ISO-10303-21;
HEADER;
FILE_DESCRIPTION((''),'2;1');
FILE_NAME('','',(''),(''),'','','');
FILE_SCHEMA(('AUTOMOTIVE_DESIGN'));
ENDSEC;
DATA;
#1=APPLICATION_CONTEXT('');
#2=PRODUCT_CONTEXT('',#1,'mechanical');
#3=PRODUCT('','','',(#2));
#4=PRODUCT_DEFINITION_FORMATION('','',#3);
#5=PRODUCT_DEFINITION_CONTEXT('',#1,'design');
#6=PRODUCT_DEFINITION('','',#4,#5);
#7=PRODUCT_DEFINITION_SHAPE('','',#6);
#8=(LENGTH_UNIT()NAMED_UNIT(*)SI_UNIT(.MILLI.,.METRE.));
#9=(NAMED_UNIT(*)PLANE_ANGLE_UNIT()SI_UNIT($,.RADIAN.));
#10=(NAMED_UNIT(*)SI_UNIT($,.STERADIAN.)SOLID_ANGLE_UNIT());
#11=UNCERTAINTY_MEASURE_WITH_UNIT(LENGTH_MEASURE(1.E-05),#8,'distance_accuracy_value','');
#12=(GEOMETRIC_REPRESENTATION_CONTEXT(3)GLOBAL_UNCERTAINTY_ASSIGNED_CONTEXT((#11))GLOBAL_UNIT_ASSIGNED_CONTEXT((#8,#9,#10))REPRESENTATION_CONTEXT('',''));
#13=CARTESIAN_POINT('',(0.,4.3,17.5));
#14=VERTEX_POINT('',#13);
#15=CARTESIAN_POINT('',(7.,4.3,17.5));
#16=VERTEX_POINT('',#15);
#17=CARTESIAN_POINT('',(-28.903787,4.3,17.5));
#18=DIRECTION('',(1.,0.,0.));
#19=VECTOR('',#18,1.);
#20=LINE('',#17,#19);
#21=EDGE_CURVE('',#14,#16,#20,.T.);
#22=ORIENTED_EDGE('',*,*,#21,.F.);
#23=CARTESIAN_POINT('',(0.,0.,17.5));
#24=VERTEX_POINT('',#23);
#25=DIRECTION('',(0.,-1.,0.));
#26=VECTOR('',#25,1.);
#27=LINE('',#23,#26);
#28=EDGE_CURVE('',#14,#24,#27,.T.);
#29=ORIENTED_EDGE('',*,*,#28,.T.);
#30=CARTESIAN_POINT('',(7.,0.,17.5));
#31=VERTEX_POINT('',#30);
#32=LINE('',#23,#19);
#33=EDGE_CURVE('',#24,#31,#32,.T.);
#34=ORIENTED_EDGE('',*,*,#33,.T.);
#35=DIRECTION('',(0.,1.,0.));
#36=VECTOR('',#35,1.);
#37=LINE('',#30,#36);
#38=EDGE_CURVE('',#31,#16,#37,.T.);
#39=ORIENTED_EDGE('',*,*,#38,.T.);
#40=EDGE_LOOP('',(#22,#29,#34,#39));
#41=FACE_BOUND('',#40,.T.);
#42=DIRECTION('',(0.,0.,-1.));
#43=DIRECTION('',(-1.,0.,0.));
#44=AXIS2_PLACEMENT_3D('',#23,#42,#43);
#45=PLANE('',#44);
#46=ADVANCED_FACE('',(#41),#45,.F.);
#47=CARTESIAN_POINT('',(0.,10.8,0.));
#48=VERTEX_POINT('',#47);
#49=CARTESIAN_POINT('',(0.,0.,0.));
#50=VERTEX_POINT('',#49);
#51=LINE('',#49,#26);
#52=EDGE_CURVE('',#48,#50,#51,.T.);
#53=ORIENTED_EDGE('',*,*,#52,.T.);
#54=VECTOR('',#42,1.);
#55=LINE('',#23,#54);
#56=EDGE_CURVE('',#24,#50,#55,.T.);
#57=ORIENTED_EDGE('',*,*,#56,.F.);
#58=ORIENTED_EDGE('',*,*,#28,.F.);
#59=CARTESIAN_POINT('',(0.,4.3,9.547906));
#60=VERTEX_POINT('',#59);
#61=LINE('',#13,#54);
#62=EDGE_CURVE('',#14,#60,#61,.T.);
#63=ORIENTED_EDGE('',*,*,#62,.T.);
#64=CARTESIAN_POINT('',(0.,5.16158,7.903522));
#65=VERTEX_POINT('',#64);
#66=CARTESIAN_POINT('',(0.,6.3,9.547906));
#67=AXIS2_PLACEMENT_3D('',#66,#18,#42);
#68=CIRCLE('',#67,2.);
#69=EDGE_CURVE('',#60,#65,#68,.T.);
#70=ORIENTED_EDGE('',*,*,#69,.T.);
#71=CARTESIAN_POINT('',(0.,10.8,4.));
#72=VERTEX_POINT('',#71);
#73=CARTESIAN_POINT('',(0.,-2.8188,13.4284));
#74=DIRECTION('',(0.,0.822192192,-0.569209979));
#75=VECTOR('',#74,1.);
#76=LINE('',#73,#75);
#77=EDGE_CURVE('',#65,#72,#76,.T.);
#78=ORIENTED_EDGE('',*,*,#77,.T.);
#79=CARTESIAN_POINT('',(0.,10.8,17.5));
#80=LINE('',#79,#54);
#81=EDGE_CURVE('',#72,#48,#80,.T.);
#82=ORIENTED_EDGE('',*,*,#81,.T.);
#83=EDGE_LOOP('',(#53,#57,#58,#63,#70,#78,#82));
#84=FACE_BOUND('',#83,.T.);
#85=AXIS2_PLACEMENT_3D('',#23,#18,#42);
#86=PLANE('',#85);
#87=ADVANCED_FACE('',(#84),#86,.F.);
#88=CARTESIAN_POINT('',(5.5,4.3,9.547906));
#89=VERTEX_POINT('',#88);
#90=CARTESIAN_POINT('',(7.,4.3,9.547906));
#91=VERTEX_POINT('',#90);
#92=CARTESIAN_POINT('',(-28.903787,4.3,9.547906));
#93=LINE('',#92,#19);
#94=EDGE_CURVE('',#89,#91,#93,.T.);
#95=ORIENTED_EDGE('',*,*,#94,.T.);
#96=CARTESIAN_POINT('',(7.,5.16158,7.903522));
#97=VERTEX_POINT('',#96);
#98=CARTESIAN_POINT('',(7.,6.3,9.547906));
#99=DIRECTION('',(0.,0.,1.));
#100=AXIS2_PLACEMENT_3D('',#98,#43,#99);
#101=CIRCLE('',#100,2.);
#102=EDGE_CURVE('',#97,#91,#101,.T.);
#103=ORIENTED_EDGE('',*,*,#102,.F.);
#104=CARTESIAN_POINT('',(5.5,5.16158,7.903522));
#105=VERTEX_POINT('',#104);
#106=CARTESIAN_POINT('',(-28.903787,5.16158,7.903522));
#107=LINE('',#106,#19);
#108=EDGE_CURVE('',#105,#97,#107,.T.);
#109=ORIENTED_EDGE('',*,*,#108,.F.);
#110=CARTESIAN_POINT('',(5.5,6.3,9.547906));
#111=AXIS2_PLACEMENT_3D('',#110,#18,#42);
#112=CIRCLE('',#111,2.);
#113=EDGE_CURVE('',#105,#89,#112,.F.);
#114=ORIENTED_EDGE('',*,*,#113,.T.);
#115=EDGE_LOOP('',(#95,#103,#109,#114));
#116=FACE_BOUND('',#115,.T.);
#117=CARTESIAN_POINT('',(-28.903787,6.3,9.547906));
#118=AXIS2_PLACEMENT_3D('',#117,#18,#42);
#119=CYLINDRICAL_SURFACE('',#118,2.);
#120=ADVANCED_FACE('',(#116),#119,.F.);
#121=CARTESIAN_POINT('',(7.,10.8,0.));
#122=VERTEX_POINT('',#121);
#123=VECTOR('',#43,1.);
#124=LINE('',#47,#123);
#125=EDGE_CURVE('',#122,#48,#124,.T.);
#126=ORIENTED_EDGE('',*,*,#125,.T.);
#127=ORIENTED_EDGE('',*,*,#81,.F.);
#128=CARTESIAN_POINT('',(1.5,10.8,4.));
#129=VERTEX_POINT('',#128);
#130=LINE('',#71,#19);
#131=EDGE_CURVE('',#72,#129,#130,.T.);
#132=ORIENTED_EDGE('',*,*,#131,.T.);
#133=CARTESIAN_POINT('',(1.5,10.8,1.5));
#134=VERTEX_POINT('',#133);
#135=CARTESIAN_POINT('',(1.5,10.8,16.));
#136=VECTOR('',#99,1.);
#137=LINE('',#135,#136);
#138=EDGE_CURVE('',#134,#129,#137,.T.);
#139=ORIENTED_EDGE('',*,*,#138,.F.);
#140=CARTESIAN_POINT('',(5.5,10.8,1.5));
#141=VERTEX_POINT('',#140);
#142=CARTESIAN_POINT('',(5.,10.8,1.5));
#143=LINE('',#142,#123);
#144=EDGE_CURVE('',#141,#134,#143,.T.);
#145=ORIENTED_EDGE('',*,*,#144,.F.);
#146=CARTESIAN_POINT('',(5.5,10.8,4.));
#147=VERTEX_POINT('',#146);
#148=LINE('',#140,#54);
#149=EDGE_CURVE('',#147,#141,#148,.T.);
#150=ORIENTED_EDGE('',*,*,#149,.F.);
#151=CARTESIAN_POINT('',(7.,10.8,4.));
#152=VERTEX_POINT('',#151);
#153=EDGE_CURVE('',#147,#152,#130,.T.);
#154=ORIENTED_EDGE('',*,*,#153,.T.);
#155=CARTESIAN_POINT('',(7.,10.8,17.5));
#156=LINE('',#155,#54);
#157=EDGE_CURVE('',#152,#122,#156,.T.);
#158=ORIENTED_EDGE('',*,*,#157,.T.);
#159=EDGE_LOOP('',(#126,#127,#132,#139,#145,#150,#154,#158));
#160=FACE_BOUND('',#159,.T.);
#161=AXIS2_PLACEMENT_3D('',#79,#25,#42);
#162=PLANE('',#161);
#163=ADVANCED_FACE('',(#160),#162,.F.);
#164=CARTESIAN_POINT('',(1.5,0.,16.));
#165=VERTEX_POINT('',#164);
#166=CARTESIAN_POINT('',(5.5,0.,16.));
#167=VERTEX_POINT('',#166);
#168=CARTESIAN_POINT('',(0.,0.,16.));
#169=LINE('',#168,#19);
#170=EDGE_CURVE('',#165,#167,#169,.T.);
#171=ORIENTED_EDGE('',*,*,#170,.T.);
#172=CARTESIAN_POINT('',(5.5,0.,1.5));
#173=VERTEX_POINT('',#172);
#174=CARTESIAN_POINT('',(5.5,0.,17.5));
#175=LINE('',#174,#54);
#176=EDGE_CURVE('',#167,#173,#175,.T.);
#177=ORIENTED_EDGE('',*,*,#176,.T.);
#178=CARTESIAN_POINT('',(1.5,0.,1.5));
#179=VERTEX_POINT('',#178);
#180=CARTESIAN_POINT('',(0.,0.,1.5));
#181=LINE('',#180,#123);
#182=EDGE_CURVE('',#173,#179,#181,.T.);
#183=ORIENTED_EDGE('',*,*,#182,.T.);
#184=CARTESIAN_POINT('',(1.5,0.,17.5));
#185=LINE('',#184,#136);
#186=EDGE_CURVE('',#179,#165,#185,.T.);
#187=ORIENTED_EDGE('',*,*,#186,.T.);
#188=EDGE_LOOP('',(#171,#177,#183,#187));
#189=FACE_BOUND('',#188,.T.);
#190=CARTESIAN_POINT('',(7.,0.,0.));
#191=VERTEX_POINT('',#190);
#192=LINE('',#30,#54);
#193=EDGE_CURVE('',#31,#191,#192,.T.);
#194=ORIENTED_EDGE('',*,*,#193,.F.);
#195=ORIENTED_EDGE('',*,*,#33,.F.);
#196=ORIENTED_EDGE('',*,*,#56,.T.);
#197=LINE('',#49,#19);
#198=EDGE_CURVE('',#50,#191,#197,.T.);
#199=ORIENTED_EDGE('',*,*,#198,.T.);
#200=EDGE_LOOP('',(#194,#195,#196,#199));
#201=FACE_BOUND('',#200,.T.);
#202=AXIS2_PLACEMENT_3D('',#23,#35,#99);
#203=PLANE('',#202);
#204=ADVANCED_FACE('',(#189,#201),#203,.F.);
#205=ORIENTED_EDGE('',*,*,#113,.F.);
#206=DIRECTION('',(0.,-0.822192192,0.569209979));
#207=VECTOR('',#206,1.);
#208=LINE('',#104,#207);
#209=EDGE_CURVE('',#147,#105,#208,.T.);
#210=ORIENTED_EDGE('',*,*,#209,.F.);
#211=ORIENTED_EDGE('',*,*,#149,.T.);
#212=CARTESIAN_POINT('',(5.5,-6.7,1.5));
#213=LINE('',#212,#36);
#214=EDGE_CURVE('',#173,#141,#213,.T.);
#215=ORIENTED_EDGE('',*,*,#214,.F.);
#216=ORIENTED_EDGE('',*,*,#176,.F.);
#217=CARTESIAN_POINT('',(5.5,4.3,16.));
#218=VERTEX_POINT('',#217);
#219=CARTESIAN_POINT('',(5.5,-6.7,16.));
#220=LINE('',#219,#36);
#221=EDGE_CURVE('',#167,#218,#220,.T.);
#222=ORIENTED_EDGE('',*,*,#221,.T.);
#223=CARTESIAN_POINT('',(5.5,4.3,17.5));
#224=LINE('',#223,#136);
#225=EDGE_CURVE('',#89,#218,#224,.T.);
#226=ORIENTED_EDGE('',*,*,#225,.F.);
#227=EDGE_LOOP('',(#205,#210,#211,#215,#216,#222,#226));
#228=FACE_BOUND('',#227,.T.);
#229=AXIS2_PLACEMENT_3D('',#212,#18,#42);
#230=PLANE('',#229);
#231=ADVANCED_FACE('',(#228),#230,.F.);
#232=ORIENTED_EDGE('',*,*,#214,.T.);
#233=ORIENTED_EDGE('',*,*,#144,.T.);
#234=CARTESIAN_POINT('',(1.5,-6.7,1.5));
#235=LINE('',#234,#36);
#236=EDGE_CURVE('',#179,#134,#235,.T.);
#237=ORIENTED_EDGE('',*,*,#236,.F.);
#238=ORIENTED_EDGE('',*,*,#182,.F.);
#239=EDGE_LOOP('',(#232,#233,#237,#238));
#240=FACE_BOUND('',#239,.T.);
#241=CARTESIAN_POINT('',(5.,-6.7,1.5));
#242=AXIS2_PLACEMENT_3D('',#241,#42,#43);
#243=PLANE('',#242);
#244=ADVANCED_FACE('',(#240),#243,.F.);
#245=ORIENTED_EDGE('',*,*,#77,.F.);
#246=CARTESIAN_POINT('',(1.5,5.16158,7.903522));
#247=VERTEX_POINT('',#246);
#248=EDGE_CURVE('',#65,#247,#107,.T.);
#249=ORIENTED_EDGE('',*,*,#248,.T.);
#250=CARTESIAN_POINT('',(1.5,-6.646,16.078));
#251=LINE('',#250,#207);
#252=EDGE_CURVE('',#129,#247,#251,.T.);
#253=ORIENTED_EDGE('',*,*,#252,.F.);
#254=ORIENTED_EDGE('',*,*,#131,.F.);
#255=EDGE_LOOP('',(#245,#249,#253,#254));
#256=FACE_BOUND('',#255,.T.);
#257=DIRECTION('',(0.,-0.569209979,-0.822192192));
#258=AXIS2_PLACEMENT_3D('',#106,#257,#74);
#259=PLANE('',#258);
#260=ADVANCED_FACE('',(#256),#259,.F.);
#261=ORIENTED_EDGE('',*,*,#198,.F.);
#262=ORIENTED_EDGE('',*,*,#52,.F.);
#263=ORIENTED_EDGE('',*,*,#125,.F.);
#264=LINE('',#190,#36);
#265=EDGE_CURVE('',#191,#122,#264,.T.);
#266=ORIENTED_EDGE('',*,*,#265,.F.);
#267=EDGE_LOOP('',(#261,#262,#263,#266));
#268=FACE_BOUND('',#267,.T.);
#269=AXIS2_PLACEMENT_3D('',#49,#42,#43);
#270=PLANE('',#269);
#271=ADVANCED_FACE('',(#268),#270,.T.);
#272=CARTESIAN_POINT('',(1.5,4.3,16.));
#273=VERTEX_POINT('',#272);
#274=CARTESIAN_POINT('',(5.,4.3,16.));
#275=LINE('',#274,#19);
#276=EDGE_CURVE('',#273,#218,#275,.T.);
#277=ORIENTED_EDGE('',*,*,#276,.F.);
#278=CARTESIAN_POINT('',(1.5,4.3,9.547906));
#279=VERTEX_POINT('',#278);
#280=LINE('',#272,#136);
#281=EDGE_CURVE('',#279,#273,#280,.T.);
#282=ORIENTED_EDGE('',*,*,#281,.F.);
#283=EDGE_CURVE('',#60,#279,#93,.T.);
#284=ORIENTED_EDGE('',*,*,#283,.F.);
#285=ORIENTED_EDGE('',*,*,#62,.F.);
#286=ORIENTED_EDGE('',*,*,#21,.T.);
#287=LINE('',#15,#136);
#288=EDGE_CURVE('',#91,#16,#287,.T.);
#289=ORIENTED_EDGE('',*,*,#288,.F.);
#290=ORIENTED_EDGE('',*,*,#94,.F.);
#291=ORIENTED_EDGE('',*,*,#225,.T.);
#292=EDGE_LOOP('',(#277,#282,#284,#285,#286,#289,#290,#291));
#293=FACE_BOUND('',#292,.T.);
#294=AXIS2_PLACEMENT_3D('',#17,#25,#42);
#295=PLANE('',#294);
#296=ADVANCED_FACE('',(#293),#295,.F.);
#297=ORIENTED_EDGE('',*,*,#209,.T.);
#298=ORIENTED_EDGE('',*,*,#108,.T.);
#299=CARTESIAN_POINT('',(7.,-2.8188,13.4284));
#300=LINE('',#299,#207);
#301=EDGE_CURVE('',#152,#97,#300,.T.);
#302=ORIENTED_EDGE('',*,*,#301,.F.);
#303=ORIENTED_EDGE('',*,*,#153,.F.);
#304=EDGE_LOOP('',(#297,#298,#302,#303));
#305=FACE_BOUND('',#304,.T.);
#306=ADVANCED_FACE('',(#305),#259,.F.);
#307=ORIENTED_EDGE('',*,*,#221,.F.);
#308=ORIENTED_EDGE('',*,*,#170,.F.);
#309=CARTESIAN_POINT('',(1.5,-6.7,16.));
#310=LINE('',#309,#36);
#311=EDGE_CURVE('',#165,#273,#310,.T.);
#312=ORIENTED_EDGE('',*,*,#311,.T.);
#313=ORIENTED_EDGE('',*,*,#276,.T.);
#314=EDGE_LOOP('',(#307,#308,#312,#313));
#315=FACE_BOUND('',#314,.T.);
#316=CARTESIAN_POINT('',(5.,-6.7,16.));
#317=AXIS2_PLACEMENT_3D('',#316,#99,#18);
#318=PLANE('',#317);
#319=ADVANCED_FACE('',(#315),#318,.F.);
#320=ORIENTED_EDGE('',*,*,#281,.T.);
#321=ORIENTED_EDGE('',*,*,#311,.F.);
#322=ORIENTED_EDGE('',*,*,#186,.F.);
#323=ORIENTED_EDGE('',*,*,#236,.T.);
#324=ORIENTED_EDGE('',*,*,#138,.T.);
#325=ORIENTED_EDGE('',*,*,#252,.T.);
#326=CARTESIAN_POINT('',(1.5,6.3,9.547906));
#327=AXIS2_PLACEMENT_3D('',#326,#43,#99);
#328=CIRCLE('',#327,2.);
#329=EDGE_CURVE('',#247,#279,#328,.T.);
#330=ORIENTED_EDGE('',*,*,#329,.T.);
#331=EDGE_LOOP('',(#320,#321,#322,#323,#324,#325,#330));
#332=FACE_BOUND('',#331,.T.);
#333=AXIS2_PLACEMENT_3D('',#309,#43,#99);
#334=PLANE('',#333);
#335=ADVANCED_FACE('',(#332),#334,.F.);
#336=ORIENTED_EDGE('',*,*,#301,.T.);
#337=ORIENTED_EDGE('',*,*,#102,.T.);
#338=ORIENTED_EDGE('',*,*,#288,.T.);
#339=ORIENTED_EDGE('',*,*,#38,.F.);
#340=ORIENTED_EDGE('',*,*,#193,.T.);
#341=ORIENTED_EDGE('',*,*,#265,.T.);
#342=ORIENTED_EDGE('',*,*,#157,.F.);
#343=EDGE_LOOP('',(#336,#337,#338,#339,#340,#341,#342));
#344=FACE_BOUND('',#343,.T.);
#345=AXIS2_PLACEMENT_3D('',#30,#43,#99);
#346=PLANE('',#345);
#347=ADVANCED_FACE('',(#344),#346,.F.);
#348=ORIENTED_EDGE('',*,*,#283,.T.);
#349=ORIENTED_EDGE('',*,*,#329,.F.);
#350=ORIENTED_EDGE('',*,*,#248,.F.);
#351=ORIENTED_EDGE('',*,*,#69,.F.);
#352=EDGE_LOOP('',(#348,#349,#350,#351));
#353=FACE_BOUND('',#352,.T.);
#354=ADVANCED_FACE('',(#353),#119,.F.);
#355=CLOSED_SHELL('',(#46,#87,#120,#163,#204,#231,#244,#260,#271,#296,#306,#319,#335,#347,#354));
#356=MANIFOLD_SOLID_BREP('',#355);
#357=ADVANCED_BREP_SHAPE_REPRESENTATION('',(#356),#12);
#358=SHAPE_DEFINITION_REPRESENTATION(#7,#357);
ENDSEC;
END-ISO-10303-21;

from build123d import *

# Parameters (mm, degrees)
CROQUIS1_W                 = 7
CROQUIS1_H                 = 10.8
SALIENTE_EXTRUIR1_DEPTH    = 17.5
CROQUIS4_W                 = 3.5
CROQUIS4_H                 = 14.5
CORTAR_EXTRUIR1_DEPTH      = 17.5
CORTAR_EXTRUIR2_DEPTH      = 22.723029255
CORTAR_EXTRUIR2_DEPTH_BACK = 22.723029255
CROQUIS6_W                 = 4
CROQUIS6_H                 = 14.5
CORTAR_EXTRUIR3_DEPTH      = 17.5


with BuildPart() as part:
    # Croquis1 → Saliente-Extruir1 (new body)
    with BuildSketch(Plane.XY):
        with Locations((3.5, 5.4)):
            Rectangle(CROQUIS1_W, CROQUIS1_H)
    extrude(amount=SALIENTE_EXTRUIR1_DEPTH)

    # Croquis4 → Cortar-Extruir1 (cut)
    with BuildSketch(Plane(origin=(0, 10.8, 0), x_dir=(1, 0, 0), z_dir=(0, 1, 0))):
        with Locations((3.25, -8.75)):
            Rectangle(CROQUIS4_W, CROQUIS4_H)
    extrude(amount=-CORTAR_EXTRUIR1_DEPTH, mode=Mode.SUBTRACT)

    # Croquis5 → Cortar-Extruir2 (cut, two sides: drawn at the far end of the back side and taken through both)
    with BuildSketch(Plane(origin=(7, 0, 0), x_dir=(0, 0, -1), z_dir=(1, 0, 0)).offset(-CORTAR_EXTRUIR2_DEPTH_BACK)):
        with BuildLine():
            Line((-7.903521509, 5.161580042), (-4, 10.8))
            Line((-4, 10.8), (-17.5, 10.8))
            Line((-17.5, 10.8), (-17.5, 4.3))
            Line((-17.5, 4.3), (-9.547905892, 4.3))
            ThreePointArc((-9.547905892, 4.3), (-8.619692532, 4.528441376), (-7.903521509, 5.161580042))
        make_face()
    extrude(amount=CORTAR_EXTRUIR2_DEPTH + CORTAR_EXTRUIR2_DEPTH_BACK, mode=Mode.SUBTRACT)

    # Croquis6 → Cortar-Extruir3 (cut)
    with BuildSketch(Plane(origin=(0, 10.8, 0), x_dir=(1, 0, 0), z_dir=(0, 1, 0))):
        with Locations((3.5, -8.75)):
            Rectangle(CROQUIS6_W, CROQUIS6_H)
    extrude(amount=-CORTAR_EXTRUIR3_DEPTH, mode=Mode.SUBTRACT)


solid = part.part
